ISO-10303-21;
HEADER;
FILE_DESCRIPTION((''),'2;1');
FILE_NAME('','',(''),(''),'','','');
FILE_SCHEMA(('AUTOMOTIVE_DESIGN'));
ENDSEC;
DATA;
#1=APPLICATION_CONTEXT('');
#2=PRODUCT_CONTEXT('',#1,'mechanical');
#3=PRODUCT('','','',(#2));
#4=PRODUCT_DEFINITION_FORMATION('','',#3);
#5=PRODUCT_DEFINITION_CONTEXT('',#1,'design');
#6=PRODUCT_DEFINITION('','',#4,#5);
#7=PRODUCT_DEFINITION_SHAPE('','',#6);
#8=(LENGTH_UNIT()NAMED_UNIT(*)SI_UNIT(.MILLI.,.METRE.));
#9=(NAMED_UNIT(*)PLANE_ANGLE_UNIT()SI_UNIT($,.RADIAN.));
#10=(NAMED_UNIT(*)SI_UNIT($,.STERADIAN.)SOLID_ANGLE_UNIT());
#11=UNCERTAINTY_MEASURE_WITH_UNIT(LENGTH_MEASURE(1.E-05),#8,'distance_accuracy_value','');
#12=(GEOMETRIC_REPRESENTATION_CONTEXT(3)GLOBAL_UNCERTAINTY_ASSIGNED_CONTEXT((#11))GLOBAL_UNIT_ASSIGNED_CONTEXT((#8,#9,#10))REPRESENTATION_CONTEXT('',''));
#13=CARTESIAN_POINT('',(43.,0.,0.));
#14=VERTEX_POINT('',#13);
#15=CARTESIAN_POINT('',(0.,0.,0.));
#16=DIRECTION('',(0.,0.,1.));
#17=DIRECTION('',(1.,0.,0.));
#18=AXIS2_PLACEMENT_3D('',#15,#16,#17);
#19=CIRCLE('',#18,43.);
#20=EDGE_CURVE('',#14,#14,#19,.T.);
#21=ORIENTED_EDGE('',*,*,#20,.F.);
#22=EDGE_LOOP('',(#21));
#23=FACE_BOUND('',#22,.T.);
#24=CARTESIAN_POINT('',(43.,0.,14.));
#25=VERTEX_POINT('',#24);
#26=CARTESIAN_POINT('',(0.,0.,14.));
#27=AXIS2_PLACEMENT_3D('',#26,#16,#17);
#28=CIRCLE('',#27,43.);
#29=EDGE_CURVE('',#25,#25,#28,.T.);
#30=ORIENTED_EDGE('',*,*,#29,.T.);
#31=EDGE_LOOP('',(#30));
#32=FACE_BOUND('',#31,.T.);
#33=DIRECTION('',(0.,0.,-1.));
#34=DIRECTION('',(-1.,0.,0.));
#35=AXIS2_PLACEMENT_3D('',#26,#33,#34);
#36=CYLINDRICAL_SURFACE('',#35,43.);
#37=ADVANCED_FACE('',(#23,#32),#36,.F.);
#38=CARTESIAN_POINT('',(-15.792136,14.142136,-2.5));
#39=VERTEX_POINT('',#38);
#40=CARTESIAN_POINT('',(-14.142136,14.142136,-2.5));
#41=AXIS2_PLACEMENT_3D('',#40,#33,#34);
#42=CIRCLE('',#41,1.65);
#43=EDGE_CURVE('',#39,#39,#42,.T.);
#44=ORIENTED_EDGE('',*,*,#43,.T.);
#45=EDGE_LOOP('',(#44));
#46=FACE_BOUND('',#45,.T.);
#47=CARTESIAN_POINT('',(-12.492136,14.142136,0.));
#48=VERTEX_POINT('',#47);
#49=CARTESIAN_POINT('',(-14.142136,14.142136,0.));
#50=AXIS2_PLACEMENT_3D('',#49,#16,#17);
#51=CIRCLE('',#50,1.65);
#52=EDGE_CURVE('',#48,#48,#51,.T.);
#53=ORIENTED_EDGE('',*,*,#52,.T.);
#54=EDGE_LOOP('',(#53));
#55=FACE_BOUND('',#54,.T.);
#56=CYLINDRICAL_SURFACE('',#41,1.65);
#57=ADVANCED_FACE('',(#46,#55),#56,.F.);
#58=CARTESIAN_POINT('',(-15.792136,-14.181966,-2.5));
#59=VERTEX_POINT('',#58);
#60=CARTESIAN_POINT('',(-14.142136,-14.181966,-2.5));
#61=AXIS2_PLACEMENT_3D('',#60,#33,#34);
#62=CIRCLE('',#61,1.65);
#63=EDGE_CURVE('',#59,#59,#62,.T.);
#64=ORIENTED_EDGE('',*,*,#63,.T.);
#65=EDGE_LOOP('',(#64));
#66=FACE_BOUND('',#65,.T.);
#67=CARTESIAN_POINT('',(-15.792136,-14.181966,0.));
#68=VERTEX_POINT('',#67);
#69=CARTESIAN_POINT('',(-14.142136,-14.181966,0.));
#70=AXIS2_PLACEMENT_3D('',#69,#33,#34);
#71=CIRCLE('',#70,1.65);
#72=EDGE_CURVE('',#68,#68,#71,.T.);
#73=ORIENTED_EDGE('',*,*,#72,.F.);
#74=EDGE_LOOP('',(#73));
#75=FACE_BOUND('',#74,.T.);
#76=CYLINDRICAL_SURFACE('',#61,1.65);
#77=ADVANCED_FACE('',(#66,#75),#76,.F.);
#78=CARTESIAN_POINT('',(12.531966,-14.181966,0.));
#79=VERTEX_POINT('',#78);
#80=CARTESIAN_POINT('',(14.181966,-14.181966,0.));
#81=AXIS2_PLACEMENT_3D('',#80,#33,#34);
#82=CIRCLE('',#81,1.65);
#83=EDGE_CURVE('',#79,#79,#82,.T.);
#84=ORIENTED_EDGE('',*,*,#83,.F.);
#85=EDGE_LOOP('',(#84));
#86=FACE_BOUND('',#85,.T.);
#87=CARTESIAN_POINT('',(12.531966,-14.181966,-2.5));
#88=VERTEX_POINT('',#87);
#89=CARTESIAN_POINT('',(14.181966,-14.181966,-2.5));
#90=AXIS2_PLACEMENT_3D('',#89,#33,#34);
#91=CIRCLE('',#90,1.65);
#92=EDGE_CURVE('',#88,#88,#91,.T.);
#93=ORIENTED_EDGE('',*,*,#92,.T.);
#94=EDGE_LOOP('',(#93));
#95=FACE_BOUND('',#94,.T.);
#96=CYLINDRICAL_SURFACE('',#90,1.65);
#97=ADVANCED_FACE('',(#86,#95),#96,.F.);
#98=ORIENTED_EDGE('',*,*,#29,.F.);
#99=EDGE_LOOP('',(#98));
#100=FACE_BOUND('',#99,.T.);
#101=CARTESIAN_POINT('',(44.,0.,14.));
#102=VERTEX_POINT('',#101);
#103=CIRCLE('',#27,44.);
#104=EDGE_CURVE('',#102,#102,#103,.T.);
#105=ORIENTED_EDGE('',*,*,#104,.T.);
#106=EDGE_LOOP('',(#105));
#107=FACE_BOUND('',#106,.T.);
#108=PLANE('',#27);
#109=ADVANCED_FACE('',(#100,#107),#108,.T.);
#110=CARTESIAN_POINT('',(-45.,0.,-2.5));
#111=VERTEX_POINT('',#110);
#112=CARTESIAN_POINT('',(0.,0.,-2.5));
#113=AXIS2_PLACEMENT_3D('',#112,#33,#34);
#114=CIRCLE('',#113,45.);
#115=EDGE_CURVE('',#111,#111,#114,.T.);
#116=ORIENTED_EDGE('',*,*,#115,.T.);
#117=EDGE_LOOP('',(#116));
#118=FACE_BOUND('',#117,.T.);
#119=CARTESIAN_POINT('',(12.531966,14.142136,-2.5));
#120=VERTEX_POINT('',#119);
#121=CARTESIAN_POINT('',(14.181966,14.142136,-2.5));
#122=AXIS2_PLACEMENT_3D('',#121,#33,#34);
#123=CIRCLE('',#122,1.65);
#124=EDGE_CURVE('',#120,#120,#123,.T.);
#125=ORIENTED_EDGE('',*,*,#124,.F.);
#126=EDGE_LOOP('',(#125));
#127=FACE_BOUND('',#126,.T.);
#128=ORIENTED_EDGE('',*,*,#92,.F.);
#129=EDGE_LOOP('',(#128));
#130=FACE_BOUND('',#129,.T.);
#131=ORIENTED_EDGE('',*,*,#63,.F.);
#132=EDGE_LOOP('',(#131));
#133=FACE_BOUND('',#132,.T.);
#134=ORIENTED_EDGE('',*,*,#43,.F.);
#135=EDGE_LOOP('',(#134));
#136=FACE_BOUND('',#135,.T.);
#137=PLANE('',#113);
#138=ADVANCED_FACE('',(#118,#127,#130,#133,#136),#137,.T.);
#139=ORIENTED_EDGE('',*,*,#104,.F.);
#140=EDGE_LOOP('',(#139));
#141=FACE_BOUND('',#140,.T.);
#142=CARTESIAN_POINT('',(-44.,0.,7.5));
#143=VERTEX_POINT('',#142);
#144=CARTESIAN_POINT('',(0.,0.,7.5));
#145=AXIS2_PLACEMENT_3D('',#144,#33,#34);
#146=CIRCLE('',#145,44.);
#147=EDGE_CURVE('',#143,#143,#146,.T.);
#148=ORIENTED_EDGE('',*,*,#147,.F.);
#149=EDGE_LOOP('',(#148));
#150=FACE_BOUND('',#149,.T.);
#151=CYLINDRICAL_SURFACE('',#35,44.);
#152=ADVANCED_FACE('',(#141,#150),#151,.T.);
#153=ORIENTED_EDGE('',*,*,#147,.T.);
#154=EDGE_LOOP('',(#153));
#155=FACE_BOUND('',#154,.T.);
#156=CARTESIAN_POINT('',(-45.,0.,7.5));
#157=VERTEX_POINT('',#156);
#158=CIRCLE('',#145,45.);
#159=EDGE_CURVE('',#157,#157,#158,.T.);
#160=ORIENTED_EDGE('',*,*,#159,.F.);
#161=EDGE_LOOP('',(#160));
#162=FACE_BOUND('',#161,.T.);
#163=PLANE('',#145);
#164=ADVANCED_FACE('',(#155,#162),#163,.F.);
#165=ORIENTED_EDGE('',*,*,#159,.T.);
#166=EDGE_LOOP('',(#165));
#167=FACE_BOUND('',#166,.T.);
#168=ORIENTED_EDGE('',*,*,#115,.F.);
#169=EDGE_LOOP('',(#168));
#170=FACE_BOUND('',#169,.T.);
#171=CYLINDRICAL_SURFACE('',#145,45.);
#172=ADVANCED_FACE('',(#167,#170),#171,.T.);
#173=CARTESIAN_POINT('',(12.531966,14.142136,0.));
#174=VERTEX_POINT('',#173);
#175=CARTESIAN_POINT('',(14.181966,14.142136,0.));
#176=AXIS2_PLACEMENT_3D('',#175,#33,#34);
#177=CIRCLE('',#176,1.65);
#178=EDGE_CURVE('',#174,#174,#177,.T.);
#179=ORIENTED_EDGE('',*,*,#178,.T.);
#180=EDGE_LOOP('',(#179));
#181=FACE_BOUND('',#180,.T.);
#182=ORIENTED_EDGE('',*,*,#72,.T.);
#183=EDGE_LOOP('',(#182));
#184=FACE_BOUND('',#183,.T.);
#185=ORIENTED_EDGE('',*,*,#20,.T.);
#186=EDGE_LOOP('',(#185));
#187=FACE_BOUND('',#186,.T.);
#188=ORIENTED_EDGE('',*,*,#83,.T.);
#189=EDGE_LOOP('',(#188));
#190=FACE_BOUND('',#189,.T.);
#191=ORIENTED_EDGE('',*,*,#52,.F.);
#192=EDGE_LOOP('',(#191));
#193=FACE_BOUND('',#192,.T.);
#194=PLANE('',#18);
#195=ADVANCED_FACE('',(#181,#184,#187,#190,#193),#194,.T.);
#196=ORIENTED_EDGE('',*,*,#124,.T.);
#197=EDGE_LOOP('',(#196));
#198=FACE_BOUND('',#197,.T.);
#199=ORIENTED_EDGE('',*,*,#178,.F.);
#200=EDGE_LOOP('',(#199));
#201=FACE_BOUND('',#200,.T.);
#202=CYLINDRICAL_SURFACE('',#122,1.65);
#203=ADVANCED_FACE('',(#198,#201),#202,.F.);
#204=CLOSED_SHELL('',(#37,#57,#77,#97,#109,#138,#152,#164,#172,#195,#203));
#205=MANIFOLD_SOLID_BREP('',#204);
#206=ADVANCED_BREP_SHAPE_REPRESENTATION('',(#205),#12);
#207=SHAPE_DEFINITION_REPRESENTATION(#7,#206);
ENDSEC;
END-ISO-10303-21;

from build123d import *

# Parameters (mm, degrees)
SKETCH1_R           = 44
SKETCH1_R_2         = 43
BOSS_EXTRUDE1_DEPTH = 14
SKETCH1_4_R         = 44
SKETCH1_4_R_2       = 43
BOSS_EXTRUDE2_DEPTH = 2.5
SKETCH5_W           = 1.65
SKETCH5_H           = 2.5
CIRPATTERN1_COUNT   = 4
SKETCH6_R           = 45
SKETCH6_R_2         = 44
BOSS_EXTRUDE3_DEPTH = 10


with BuildPart() as part:
    # Sketch1 → Boss-Extrude1 (new body)
    with BuildSketch(Plane.XY):
        Circle(SKETCH1_R)
        Circle(SKETCH1_R_2, mode=Mode.SUBTRACT)
    extrude(amount=BOSS_EXTRUDE1_DEPTH)



with BuildPart() as body_2:
    # Sketch1<4> → Boss-Extrude2 (new body)
    # profile 1 of 2: a face of its own
    with BuildSketch(Plane.XY):
        Circle(SKETCH1_4_R)
        Circle(SKETCH1_4_R_2, mode=Mode.SUBTRACT)
    # profile 2 of 2: a face of its own
    with BuildSketch(Plane.XY):
        Circle(SKETCH1_4_R_2)
    extrude(amount=-BOSS_EXTRUDE2_DEPTH)

    # Sketch5 → M4x0.7 Tapped Hole1 (revolve, cut)
    with BuildSketch(Plane(origin=(-14.142135624, 14.142135624, -2.5), x_dir=(0, 1, 0), z_dir=(1, 0, 0))):
        with Locations((0.825, 1.25)):
            Rectangle(SKETCH5_W, SKETCH5_H)
    m4x0_7_tapped_hole1 = revolve(axis=Axis((-14.142135624, 14.142135624, -8.85), (0, 0, 1)), mode=Mode.SUBTRACT)

    # CirPattern1: M4x0.7 Tapped Hole1 ×4 about axis
    cirpattern1_axis = Axis((0.019915384, -0.019915384, 0), (0, 0, 1))
    for i in range(1, CIRPATTERN1_COUNT):
        add(m4x0_7_tapped_hole1.rotate(cirpattern1_axis, i * 360 / CIRPATTERN1_COUNT), mode=Mode.SUBTRACT)


with BuildPart() as part_1:
    add(part.part)

    add(body_2.part)  # Boss-Extrude3 merges body 2
    # Sketch6 → Boss-Extrude3 (add)
    with BuildSketch(Plane(origin=(0, 0, -2.5), x_dir=(-1, 0, 0), z_dir=(0, 0, -1))):
        Circle(SKETCH6_R)
        Circle(SKETCH6_R_2, mode=Mode.SUBTRACT)
    extrude(amount=-BOSS_EXTRUDE3_DEPTH)


solid = part_1.part
